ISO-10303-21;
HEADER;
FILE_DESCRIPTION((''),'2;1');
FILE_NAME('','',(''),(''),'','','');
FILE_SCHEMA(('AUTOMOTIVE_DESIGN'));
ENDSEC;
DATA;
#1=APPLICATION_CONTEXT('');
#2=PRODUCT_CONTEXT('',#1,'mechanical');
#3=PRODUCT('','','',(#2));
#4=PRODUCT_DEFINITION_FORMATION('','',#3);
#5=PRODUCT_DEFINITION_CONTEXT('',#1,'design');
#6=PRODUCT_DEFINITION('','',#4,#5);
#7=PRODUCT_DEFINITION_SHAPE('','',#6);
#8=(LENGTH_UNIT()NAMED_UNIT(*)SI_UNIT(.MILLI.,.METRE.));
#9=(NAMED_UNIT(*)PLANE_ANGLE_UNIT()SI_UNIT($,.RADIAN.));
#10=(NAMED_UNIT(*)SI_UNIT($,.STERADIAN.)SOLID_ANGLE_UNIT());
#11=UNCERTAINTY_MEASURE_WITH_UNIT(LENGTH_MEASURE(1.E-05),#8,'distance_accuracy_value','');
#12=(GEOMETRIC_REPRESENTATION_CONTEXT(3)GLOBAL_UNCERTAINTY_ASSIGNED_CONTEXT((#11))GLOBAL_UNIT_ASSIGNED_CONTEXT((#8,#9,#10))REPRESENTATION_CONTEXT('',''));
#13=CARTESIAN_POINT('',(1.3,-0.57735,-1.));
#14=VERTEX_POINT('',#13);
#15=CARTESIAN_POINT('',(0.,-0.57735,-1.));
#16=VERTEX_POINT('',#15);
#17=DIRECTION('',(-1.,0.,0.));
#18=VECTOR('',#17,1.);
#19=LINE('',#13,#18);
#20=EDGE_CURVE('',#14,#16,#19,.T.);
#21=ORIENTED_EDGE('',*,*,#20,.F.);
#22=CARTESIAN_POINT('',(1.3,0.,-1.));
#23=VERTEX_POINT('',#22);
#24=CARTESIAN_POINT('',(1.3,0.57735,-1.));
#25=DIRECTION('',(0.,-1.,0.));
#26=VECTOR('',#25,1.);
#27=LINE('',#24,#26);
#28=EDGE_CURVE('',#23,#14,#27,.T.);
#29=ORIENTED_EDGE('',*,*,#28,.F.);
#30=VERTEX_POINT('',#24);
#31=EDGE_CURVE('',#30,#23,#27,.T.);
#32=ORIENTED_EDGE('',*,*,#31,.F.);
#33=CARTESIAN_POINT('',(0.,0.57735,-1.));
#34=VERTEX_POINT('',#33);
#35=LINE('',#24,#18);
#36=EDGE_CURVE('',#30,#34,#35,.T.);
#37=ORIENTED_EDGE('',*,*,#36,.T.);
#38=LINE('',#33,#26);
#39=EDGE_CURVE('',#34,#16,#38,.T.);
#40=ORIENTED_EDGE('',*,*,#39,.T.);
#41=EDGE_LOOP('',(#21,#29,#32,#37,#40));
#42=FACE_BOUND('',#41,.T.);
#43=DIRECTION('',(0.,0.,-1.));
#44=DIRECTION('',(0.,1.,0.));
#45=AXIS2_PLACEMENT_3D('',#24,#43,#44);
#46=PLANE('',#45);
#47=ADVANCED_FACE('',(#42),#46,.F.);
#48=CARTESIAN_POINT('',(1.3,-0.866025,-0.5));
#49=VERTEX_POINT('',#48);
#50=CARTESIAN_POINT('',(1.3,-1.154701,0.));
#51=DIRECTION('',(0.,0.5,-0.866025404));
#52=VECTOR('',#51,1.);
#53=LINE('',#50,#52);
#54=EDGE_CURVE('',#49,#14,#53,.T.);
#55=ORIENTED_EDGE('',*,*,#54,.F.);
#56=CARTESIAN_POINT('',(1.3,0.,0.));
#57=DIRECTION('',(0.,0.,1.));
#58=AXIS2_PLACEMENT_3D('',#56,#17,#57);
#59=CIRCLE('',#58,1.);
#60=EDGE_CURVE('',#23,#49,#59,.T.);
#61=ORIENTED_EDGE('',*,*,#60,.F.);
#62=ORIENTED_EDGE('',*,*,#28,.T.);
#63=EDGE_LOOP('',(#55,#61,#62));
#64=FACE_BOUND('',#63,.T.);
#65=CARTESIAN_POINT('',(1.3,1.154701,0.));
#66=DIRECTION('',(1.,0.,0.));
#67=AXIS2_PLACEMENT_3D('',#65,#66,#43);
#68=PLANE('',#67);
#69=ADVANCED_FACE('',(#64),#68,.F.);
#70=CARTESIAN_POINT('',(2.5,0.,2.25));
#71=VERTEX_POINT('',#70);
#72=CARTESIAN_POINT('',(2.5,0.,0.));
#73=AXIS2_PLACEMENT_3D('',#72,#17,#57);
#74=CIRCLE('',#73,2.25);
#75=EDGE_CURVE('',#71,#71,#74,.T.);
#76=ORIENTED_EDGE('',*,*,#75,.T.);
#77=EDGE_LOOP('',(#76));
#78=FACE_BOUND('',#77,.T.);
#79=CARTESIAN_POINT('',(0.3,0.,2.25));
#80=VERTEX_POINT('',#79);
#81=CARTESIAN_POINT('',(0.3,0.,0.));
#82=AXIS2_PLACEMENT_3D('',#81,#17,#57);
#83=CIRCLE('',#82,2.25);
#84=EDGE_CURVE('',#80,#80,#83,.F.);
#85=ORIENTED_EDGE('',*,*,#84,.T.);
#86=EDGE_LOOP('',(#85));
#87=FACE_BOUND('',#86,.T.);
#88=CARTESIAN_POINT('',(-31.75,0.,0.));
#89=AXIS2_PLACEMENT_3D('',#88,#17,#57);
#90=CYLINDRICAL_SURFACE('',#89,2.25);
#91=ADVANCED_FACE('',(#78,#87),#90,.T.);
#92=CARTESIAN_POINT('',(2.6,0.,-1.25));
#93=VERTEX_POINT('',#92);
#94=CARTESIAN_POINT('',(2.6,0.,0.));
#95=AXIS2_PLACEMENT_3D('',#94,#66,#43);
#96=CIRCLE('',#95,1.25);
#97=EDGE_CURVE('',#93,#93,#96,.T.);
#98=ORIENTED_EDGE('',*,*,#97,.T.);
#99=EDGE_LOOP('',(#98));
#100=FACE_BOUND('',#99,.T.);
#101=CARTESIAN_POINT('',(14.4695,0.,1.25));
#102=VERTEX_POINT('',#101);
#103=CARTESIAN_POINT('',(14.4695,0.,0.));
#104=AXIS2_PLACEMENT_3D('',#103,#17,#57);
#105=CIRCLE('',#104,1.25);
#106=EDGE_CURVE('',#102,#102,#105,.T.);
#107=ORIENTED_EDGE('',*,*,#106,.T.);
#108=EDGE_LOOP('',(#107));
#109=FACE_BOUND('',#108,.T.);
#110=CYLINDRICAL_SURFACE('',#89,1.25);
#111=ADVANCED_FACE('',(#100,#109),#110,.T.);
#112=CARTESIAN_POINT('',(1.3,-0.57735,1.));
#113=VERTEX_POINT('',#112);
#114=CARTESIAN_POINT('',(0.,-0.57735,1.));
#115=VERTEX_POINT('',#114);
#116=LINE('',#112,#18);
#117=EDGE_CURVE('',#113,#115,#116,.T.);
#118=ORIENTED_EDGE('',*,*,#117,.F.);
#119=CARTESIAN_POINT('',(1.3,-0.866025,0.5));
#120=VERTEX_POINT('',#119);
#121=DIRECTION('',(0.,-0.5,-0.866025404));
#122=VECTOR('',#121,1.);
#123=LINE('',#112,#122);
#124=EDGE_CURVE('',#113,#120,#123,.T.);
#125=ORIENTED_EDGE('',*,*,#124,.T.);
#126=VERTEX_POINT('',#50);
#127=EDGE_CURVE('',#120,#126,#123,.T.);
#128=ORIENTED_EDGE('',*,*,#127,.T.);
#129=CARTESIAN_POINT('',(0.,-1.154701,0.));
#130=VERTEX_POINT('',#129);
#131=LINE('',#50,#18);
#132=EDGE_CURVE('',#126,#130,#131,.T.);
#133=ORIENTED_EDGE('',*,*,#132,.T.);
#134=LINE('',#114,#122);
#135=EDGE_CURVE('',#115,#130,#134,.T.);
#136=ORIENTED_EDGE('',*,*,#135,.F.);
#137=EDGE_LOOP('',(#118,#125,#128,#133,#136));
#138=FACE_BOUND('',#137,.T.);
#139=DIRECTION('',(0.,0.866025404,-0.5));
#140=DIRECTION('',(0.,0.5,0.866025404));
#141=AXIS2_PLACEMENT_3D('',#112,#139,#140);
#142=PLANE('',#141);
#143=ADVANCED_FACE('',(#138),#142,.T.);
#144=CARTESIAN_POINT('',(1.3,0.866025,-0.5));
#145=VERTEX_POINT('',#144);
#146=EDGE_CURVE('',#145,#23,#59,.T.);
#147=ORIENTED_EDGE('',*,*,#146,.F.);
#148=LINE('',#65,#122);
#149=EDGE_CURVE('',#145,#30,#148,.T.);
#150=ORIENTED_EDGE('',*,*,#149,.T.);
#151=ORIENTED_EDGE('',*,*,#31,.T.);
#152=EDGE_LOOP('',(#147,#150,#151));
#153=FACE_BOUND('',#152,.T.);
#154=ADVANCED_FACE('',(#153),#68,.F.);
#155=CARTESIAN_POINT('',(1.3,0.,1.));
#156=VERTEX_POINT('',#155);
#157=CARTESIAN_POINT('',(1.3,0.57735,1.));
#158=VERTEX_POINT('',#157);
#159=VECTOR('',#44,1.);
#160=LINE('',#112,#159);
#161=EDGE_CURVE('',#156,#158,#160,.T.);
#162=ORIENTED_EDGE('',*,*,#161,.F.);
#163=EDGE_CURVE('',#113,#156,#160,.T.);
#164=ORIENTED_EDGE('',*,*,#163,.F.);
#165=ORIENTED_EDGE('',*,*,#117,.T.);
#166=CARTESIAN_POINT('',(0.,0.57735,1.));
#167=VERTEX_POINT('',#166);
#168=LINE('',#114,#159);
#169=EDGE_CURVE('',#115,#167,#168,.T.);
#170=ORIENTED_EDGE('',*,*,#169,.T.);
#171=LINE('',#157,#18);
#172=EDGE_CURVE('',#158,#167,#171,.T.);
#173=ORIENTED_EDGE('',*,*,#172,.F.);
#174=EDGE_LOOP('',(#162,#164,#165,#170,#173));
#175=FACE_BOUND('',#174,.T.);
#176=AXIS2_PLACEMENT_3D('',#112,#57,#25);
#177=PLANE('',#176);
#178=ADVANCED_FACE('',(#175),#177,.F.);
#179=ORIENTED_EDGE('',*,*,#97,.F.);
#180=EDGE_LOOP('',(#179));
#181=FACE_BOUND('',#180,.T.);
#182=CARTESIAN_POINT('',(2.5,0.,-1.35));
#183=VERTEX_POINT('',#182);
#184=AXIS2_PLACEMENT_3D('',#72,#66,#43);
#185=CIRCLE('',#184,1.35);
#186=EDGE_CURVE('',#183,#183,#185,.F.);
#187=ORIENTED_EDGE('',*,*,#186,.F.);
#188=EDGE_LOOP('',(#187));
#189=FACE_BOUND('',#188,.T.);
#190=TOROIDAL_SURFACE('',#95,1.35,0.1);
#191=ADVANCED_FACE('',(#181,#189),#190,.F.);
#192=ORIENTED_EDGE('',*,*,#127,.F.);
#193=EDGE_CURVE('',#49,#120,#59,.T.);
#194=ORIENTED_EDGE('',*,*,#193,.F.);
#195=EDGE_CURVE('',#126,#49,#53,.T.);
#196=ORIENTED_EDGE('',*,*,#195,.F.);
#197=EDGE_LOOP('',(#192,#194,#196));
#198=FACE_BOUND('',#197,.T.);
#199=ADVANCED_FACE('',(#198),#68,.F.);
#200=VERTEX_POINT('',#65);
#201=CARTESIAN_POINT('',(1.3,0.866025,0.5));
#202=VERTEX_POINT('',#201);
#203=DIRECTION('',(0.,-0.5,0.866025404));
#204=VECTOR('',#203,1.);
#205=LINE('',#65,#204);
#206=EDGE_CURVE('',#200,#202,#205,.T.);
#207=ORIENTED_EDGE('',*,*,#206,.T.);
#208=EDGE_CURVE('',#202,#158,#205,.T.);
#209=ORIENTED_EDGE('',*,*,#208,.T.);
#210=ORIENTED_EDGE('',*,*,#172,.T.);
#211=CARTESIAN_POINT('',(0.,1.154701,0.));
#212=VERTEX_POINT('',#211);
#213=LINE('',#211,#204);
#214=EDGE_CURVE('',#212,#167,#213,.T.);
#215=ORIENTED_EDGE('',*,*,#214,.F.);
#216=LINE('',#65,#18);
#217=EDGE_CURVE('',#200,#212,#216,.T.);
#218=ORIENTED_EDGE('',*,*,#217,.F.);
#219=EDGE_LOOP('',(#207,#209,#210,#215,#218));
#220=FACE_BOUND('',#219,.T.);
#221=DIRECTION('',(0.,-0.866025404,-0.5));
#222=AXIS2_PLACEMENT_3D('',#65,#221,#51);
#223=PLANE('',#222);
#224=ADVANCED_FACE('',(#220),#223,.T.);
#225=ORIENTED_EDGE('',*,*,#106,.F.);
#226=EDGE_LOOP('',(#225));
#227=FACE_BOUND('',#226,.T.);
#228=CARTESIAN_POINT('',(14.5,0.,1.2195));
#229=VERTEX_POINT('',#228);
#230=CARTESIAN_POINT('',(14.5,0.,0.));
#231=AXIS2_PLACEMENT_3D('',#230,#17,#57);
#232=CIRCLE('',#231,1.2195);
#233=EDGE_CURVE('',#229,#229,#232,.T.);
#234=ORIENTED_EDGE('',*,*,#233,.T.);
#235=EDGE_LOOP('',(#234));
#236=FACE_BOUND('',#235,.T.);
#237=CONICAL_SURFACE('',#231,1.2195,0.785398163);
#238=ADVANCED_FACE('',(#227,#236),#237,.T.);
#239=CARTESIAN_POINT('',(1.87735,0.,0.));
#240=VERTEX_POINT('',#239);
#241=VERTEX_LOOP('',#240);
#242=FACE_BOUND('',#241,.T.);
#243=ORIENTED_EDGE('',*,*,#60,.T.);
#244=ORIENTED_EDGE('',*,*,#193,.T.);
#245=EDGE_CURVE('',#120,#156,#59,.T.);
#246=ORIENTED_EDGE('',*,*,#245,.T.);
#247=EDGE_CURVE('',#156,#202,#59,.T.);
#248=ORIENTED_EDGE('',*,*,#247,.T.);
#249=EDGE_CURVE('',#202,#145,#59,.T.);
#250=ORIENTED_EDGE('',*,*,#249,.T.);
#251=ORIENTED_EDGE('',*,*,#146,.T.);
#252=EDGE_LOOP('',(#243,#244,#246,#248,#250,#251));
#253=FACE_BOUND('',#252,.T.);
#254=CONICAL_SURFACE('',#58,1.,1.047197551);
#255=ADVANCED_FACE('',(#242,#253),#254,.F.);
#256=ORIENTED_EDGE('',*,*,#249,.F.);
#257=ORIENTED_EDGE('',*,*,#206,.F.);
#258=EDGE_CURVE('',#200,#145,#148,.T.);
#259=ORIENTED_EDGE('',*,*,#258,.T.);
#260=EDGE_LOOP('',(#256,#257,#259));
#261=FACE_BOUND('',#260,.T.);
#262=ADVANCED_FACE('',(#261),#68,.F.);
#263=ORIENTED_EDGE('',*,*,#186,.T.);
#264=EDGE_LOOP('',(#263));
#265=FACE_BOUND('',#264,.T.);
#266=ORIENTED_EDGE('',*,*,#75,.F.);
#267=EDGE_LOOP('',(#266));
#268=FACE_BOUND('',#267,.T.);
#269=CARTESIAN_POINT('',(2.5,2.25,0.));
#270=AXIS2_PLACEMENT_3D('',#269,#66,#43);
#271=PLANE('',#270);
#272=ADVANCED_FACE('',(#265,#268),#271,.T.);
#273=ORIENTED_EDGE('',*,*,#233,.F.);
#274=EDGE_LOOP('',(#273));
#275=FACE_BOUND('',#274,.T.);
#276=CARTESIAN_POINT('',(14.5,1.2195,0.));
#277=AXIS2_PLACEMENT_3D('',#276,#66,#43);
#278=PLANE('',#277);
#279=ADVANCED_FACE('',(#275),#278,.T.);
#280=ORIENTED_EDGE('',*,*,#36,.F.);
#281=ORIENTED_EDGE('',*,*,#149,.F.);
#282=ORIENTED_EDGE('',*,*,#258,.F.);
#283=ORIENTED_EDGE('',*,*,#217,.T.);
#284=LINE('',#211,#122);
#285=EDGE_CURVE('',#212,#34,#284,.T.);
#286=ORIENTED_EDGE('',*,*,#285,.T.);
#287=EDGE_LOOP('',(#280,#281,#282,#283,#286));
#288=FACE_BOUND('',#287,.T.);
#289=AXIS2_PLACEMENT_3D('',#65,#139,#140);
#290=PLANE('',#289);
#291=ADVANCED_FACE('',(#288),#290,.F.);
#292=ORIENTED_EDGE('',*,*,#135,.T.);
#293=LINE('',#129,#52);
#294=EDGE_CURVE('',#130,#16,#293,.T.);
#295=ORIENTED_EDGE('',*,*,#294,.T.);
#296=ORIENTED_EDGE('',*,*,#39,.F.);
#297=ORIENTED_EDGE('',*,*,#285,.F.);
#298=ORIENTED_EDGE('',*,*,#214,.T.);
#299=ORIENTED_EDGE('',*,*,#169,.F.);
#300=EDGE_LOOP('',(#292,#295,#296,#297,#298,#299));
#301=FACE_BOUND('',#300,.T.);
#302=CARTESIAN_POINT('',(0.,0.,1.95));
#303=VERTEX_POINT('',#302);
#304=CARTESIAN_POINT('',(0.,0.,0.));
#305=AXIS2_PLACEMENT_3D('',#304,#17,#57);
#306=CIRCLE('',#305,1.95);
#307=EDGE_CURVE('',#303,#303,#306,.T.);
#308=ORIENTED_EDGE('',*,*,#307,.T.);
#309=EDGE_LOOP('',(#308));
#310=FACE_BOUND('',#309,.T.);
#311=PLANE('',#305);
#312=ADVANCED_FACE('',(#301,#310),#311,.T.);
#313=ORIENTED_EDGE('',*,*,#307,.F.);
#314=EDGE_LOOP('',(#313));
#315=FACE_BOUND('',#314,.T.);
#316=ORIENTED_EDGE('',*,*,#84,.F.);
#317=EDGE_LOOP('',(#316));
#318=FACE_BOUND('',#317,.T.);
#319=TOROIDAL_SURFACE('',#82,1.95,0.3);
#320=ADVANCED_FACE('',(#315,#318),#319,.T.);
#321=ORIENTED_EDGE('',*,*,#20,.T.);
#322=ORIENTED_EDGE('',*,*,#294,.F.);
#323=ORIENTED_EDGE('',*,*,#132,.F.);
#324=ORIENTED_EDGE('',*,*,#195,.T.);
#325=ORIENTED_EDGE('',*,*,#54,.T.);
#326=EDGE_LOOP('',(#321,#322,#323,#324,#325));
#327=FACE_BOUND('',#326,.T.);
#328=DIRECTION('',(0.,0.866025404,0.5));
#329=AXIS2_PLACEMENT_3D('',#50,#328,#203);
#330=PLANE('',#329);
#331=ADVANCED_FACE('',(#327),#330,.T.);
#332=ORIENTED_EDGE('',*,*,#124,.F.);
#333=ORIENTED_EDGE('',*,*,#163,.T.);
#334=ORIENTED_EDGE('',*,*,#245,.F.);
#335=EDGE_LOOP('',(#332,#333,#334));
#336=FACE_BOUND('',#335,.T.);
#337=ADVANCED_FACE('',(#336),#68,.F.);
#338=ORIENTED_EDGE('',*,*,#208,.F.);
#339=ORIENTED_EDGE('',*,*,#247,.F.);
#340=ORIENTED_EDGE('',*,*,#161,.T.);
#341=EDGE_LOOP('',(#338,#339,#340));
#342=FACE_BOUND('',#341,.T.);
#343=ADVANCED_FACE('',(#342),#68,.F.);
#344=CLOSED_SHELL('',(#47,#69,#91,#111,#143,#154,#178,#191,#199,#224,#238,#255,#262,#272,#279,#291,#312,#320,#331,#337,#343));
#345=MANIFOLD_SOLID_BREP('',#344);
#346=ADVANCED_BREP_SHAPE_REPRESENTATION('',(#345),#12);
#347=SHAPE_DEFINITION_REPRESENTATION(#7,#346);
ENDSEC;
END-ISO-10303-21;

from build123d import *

# Parameters (mm, degrees)
FILLET1_R   = 0.1
FILLET2_R   = 0.3
HEX_2_DEPTH = 1.3


with BuildPart() as part:
    # BodySke → Base-Revolve (revolve)
    with BuildSketch(Plane.XY, mode=Mode.PRIVATE) as base_revolve_sk:
        Polygon((0, 0), (0, 2.25), (2.5, 2.25), (2.5, 1.25), (14.4695, 1.25), (14.5, 1.2195), (14.5, 0), align=None)
    revolve(base_revolve_sk.sketch.rotate(Axis((-31.75, 0, 0), (1, 0, 0)), 90), axis=Axis((-31.75, 0, 0), (1, 0, 0)))

    # Fillet1
    fillet1_edges = [part.edges().sort_by_distance(p)[0] for p in [
        (2.5, 0, -1.25),
    ]]
    fillet(fillet1_edges, radius=FILLET1_R)

    # Fillet2
    fillet2_edges = [part.edges().sort_by_distance(p)[0] for p in [
        (0, 0, -2.25),
    ]]
    fillet(fillet2_edges, radius=FILLET2_R)

    # Sketch2 → Hex-PreBroach (revolve, cut)
    with BuildSketch(Plane.XY, mode=Mode.PRIVATE) as hex_prebroach_sk:
        Polygon((0, 1), (1.3, 1), (1.877350269, 0), (0, 0), align=None)
    revolve(hex_prebroach_sk.sketch.rotate(Axis((0, 0, 0), (1, 0, 0)), 90), axis=Axis((0, 0, 0), (1, 0, 0)), mode=Mode.SUBTRACT)

    # Sketch3 → Hex 2 (cut)
    with BuildSketch(Plane(origin=(0, 0, 0), x_dir=(0, 0.500000000000001, 0.866025403784438), z_dir=(-1, 0, 0))):
        Polygon((0.577350269, 1), (-0.577350269, 1), (-1.154700538, 0), (-0.577350269, -1), (0.577350269, -1), (1.154700538, 0), align=None)
    extrude(amount=-HEX_2_DEPTH, mode=Mode.SUBTRACT)


solid = part.part
